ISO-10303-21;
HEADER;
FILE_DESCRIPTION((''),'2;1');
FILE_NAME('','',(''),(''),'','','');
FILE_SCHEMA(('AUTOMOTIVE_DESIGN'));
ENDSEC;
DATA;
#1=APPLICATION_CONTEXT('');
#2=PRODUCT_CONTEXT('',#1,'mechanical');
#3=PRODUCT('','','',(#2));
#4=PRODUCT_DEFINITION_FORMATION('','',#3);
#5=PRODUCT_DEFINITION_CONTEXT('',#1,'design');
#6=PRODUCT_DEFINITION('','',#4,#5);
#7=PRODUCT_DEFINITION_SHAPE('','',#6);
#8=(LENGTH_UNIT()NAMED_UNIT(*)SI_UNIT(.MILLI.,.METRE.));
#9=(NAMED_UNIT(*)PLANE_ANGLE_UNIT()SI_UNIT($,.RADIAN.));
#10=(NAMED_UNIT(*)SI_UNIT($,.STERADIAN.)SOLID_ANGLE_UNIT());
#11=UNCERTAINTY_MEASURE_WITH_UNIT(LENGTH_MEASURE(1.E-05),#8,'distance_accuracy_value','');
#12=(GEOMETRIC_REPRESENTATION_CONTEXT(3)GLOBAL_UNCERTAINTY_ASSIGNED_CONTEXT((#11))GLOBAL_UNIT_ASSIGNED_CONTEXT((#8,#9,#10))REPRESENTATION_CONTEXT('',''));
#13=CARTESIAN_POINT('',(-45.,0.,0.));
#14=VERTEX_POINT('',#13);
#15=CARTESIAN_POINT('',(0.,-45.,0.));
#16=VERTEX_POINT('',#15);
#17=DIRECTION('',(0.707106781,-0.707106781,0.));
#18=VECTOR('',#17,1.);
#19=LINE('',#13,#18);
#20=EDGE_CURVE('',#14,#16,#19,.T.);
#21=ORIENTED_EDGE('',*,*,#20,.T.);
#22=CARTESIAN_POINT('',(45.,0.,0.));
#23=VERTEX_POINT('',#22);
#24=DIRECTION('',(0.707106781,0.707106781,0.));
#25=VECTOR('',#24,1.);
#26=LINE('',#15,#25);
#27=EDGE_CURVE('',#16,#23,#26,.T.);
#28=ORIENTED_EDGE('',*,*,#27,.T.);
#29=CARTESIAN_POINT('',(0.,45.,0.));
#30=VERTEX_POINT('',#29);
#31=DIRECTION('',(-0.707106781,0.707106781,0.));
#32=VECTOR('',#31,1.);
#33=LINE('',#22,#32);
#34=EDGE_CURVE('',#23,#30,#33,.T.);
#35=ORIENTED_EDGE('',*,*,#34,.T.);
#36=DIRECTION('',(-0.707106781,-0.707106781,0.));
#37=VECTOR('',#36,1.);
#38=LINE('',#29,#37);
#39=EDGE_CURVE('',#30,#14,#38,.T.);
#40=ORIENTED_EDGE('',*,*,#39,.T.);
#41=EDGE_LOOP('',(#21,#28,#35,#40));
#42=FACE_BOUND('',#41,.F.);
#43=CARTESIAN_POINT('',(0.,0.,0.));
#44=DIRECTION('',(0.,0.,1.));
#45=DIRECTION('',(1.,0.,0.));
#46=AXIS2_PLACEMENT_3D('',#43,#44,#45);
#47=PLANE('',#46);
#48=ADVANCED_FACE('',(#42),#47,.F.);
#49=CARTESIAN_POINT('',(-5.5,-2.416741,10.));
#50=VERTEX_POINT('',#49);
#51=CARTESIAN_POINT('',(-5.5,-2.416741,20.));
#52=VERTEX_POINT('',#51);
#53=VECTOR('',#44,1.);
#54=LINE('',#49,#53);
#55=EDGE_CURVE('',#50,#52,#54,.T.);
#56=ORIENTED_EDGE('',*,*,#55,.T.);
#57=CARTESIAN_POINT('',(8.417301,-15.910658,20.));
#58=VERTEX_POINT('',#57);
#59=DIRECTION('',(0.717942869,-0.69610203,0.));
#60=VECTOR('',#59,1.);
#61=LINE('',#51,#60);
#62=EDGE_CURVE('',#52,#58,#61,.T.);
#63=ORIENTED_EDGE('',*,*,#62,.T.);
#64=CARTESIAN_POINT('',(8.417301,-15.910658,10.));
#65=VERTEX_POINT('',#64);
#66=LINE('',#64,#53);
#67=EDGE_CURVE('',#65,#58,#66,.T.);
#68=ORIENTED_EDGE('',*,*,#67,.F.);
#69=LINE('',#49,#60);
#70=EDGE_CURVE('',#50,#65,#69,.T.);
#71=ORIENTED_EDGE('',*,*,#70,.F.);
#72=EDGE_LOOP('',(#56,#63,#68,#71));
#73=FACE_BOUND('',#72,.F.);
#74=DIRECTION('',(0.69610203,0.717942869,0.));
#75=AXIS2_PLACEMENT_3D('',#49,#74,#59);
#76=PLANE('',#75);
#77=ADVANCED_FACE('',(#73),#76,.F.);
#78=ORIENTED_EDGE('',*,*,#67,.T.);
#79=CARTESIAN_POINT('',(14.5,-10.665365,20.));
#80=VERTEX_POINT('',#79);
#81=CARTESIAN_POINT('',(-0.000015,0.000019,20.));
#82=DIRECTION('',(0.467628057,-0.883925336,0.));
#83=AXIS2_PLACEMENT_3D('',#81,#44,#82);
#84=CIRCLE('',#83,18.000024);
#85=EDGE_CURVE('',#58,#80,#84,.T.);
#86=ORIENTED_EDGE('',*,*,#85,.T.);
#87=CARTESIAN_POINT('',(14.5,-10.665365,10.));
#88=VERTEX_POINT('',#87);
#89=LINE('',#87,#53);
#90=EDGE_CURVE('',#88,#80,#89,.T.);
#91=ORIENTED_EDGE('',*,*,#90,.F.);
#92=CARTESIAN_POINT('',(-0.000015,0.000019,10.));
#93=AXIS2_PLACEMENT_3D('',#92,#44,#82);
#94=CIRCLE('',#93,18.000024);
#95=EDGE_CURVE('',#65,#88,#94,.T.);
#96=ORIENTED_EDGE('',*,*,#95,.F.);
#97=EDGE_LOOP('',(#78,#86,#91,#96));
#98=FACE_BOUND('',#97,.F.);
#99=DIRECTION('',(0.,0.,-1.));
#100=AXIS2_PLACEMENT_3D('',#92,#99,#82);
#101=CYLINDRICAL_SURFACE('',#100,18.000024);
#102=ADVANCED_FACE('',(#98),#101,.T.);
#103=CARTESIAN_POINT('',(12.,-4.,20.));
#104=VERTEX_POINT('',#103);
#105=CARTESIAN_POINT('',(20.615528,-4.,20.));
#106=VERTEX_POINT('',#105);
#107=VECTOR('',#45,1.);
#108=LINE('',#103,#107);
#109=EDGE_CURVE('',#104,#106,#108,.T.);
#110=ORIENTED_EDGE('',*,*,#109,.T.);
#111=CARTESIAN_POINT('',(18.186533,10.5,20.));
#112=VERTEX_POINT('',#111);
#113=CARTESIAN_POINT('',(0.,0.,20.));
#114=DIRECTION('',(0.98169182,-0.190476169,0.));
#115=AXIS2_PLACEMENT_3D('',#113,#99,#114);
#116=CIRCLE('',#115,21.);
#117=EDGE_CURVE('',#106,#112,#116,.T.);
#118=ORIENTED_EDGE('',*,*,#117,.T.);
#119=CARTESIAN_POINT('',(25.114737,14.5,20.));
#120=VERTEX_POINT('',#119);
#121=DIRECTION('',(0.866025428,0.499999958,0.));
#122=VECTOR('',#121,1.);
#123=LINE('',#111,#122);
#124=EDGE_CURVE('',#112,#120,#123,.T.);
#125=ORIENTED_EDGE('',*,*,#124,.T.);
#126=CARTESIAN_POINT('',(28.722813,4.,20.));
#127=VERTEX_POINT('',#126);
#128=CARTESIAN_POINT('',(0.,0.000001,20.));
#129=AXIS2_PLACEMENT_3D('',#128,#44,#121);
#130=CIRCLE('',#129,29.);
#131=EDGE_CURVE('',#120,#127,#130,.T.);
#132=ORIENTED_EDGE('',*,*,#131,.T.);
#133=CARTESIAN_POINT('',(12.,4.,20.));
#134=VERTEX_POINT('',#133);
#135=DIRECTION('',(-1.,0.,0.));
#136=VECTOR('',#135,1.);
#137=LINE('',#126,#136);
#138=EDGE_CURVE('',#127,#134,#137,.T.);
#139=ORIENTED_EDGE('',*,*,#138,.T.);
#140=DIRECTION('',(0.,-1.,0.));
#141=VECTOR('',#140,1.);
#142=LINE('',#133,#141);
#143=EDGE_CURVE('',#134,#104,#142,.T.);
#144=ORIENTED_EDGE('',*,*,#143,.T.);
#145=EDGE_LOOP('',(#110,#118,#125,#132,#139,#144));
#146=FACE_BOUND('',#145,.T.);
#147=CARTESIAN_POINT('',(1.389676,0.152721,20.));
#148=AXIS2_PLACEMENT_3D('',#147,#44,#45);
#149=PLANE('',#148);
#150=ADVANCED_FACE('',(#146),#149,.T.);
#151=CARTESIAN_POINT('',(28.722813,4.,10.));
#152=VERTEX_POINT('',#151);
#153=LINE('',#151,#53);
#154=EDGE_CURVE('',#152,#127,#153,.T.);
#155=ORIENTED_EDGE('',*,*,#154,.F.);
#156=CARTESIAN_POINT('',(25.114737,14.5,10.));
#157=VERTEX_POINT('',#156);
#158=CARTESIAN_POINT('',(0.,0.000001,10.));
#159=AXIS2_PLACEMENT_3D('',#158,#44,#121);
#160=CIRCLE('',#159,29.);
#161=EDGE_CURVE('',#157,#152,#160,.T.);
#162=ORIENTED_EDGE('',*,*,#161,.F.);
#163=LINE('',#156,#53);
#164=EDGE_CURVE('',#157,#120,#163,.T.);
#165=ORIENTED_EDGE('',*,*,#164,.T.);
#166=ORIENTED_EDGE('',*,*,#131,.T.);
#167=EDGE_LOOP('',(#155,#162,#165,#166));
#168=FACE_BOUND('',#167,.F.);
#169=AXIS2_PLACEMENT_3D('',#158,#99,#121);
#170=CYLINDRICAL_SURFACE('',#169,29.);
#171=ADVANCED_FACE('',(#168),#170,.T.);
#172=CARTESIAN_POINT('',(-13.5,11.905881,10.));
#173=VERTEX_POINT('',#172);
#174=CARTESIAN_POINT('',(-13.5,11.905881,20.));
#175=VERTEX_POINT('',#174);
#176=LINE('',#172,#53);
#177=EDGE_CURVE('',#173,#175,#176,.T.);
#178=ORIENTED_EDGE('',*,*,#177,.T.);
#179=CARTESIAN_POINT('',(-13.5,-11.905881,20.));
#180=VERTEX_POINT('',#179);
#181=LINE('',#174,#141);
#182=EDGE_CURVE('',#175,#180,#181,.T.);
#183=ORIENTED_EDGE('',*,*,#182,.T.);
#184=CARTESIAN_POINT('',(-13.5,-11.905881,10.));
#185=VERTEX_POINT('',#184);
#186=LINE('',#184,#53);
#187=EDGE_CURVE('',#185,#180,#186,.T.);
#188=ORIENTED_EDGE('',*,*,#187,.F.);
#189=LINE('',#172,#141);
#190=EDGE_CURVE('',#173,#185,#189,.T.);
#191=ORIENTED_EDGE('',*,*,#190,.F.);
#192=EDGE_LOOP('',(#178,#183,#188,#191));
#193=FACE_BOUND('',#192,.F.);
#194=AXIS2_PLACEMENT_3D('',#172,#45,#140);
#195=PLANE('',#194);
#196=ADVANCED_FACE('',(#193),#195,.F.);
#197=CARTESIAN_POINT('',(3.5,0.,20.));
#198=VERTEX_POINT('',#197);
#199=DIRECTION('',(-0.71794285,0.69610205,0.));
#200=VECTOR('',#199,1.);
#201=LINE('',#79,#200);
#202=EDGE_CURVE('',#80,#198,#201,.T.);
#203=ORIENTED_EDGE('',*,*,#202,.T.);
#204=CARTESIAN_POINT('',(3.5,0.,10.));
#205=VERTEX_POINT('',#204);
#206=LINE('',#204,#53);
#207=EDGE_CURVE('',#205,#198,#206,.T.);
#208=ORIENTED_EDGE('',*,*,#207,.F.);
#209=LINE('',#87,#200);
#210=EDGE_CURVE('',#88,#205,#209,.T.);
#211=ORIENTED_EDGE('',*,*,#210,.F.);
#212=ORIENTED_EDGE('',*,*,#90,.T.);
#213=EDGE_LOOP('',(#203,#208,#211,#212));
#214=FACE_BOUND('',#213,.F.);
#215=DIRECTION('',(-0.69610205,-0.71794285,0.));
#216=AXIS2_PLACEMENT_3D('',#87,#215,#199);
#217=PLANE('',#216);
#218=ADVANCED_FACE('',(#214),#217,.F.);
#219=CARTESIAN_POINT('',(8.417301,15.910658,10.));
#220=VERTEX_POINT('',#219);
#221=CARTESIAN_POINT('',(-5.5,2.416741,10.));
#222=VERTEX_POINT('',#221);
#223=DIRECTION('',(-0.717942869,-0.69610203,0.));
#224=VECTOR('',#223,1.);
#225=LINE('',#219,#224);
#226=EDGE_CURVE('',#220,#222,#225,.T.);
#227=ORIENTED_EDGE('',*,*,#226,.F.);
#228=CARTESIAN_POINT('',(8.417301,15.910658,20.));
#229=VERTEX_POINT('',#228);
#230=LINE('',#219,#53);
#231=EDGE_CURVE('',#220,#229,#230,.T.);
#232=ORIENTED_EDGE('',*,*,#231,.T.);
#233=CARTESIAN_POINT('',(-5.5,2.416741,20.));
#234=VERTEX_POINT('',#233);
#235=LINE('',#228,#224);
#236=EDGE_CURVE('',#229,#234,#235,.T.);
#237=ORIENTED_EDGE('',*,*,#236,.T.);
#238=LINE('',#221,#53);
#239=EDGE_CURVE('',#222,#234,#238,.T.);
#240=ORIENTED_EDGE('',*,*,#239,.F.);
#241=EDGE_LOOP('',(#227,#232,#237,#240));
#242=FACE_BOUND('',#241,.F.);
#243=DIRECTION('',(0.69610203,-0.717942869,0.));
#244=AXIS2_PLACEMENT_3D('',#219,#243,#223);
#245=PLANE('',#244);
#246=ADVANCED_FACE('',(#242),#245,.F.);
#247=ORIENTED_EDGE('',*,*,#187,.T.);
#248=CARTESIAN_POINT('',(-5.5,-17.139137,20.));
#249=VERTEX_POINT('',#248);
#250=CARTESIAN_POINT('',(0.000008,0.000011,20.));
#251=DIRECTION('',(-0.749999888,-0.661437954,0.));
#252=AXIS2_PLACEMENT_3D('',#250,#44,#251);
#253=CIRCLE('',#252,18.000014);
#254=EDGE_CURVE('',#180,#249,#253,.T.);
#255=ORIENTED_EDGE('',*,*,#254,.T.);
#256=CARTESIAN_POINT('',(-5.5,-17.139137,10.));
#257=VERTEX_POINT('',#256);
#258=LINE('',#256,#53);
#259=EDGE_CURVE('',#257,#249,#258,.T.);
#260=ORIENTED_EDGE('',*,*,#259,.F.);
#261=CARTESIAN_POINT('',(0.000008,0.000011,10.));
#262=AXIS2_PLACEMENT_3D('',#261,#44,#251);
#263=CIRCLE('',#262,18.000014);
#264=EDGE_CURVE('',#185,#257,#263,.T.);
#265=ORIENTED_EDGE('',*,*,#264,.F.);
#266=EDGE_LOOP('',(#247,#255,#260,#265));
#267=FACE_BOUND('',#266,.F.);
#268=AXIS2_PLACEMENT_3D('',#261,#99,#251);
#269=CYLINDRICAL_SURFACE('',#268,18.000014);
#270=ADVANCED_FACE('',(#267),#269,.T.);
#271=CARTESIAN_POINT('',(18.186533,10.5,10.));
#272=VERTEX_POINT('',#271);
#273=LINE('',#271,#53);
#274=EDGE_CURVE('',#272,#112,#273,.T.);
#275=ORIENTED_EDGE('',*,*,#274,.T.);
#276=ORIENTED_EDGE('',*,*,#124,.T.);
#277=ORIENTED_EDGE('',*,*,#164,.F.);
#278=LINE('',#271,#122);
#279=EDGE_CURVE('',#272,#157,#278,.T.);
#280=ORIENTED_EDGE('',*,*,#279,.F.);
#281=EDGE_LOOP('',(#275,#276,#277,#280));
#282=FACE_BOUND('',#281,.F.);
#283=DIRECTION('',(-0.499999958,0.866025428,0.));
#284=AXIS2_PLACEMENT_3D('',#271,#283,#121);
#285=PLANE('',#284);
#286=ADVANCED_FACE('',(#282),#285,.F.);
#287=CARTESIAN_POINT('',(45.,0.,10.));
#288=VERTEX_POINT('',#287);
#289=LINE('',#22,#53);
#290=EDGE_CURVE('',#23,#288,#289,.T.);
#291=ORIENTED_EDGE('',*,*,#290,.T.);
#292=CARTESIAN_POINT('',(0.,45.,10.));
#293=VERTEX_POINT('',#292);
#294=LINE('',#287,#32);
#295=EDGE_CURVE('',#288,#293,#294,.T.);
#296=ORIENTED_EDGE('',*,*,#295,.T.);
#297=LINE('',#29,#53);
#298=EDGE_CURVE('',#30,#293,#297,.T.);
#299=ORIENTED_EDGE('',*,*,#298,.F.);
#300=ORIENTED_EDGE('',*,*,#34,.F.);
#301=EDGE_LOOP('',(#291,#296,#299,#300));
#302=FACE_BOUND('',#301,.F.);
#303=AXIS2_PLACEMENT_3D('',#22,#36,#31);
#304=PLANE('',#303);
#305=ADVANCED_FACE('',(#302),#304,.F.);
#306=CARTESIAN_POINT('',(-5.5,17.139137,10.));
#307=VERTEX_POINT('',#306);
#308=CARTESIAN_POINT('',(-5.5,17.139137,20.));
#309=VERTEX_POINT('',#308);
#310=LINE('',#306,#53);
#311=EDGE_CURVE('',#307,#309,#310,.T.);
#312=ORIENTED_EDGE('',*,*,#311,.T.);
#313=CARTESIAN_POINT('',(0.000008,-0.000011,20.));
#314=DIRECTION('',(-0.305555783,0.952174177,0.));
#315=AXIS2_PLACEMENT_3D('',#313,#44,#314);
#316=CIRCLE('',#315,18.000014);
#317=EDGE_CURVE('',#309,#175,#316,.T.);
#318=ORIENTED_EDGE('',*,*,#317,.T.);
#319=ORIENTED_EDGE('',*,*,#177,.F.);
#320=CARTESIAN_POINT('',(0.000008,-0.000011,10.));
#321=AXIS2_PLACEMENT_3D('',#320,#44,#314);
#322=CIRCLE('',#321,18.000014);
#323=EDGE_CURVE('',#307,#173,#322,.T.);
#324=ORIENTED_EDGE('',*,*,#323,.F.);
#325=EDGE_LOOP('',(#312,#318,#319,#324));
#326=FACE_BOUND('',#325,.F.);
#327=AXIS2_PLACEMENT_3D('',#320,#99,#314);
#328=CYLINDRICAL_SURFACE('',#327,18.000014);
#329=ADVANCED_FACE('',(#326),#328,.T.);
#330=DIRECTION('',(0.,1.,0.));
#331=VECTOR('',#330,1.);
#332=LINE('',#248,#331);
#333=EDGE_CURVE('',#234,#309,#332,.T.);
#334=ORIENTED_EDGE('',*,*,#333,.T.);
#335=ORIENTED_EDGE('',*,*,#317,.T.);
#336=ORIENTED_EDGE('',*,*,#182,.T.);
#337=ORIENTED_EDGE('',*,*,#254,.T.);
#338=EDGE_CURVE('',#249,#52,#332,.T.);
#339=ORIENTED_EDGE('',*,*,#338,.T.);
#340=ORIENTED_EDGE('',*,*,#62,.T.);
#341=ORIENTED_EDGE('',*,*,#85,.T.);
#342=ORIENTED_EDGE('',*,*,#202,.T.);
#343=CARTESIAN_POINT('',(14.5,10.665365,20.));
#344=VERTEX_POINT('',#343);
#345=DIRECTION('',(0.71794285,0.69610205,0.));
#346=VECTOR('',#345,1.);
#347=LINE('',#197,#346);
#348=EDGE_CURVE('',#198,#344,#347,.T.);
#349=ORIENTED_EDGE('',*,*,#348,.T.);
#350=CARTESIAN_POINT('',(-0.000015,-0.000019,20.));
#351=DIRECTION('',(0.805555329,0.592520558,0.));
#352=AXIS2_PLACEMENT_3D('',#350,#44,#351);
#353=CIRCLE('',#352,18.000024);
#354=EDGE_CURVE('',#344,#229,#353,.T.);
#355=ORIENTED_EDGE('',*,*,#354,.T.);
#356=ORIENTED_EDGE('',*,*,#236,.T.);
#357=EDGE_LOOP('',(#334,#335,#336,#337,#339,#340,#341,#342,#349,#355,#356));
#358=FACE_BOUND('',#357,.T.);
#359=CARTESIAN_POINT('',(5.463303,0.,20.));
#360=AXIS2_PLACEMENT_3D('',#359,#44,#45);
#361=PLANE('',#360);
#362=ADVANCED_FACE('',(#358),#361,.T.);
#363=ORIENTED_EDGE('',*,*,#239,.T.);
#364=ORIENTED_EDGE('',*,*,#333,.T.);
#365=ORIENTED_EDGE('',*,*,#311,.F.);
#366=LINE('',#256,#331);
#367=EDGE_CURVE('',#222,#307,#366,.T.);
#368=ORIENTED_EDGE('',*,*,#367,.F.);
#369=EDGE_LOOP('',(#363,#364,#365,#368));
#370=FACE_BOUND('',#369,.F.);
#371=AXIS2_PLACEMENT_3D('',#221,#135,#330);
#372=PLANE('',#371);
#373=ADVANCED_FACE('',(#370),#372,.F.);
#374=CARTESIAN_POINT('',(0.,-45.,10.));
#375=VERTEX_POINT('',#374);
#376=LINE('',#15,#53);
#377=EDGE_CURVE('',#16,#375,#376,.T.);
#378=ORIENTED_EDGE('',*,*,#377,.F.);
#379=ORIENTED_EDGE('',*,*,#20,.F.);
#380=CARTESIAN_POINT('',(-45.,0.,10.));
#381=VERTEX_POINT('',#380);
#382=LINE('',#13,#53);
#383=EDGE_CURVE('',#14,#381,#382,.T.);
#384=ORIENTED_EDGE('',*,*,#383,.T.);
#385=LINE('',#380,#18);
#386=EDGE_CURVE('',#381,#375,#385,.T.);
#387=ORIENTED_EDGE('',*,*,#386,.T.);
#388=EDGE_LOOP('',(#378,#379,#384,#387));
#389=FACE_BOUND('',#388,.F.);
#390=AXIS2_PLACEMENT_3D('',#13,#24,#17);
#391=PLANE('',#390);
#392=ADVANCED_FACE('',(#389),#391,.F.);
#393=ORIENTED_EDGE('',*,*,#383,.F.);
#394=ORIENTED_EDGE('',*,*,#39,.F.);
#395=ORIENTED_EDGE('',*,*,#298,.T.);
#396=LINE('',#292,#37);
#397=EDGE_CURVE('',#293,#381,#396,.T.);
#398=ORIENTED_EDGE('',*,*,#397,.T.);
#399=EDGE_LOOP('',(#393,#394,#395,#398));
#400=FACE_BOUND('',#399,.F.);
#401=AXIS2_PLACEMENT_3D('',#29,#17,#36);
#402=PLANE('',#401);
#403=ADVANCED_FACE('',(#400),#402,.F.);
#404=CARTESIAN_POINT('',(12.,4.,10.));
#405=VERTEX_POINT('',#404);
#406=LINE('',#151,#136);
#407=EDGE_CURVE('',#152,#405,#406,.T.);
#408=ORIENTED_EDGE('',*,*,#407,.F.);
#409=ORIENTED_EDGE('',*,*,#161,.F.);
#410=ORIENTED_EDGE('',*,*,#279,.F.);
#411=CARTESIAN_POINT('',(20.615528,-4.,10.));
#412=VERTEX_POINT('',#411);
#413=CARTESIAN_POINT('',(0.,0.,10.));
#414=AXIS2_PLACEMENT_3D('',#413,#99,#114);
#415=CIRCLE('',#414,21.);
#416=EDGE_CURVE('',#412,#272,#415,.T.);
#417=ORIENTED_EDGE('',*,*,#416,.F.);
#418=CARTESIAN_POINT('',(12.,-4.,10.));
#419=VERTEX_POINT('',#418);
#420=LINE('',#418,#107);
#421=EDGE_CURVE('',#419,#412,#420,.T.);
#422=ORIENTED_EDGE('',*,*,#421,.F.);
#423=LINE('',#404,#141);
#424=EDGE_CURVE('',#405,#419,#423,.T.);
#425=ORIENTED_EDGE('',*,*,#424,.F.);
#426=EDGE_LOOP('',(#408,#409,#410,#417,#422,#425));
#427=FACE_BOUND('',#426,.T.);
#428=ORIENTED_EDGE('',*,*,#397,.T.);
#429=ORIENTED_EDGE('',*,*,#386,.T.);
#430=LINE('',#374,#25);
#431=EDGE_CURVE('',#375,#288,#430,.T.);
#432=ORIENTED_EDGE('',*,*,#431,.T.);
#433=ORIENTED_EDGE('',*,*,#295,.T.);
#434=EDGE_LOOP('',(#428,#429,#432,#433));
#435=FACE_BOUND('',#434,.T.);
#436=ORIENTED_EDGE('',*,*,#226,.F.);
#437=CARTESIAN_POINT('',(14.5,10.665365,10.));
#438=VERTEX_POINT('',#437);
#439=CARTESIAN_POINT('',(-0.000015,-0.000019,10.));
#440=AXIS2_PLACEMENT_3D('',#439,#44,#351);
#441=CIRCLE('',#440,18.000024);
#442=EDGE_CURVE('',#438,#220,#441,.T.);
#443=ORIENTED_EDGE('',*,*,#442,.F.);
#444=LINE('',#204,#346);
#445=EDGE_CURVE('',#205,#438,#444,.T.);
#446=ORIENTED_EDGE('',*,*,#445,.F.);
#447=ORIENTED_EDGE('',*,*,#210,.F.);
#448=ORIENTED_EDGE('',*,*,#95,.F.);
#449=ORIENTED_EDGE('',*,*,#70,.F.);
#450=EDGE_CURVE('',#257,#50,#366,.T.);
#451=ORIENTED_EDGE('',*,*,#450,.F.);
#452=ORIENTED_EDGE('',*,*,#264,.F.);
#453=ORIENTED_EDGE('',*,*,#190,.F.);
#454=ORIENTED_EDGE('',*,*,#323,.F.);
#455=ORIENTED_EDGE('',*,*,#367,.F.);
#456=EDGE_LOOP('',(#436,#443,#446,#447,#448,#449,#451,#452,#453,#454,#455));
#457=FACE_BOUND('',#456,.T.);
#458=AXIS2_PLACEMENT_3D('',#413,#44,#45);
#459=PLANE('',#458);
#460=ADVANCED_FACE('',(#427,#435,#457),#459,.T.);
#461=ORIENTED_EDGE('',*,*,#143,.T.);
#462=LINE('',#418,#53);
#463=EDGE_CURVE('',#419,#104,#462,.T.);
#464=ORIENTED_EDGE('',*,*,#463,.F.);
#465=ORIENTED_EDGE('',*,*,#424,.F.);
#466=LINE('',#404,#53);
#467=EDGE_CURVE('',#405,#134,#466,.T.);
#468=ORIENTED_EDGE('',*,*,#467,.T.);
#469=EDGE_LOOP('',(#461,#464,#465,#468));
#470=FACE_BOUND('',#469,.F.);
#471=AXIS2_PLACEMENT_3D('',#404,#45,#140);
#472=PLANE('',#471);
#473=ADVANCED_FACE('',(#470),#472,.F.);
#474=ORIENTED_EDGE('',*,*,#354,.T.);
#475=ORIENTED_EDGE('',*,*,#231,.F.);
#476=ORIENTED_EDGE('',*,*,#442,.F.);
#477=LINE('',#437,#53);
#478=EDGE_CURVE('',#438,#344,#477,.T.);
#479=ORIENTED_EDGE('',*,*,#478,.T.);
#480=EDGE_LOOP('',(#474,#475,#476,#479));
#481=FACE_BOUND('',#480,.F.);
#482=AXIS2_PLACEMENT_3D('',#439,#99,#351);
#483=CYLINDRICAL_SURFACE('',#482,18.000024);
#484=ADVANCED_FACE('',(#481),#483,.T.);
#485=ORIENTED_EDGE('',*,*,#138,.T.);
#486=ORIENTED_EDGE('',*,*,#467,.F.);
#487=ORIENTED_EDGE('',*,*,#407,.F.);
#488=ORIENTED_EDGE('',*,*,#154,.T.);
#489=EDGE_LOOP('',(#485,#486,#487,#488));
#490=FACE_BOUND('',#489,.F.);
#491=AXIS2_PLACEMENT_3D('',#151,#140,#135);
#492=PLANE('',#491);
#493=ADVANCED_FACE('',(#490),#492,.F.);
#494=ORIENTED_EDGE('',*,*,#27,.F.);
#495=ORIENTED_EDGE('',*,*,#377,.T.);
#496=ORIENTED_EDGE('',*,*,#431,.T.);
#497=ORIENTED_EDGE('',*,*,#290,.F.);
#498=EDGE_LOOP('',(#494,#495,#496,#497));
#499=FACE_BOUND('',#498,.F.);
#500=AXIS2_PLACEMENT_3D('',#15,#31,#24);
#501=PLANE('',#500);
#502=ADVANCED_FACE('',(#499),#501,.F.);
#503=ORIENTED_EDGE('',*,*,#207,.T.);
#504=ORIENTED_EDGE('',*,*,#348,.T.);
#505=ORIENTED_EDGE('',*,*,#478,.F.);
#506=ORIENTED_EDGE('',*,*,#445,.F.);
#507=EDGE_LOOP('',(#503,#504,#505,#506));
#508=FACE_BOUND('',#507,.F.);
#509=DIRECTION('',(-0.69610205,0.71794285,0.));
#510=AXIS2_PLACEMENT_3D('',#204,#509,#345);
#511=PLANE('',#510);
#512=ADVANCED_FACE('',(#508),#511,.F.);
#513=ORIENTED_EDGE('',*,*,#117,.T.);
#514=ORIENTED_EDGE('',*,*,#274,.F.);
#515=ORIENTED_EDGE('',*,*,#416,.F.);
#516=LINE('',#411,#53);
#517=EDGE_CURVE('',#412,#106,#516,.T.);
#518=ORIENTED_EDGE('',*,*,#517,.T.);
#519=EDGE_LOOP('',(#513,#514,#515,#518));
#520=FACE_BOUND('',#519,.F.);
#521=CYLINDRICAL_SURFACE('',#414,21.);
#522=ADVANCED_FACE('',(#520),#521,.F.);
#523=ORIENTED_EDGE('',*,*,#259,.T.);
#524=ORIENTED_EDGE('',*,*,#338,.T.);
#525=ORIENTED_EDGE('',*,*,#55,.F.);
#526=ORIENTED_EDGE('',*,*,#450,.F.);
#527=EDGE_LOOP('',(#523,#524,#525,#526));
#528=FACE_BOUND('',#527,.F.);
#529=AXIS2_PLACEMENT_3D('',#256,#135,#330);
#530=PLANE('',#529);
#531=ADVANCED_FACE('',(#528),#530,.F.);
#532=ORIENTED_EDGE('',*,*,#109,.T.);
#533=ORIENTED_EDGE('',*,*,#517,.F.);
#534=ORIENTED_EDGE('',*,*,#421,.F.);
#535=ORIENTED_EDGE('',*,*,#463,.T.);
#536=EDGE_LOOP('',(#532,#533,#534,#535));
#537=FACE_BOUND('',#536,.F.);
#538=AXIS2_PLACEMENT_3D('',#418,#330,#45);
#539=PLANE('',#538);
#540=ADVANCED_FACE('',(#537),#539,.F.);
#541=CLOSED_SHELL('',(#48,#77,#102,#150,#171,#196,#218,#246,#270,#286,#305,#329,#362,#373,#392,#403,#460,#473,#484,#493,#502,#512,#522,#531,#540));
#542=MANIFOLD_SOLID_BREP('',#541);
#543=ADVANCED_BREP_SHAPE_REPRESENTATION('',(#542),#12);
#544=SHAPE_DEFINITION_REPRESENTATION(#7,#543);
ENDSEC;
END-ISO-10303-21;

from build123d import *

# Parameters (mm, degrees)
F1_DEPTH = 10
F3_DEPTH = 10
F5_DEPTH = 10


with BuildPart() as f1:
    # F0 (on Top) → F1 (new body)
    with BuildSketch(Plane.XY):
        Polygon((45, 0), (0, 45), (-45, 0), (0, -45), align=None)
    extrude(amount=F1_DEPTH)

    # F2 (on face) → F3 (join)
    with BuildSketch(Plane.XY.offset(10)):
        with BuildLine():
            Line((18.186533, 10.5), (25.114737, 14.5))
            ThreePointArc((25.114737, 14.5), (-27.425954, -9.42428), (28.722813, 4))
            Line((28.722813, 4), (12, 4))
            Line((12, 4), (12, -4))
            Line((12, -4), (20.615528, -4))
            ThreePointArc((20.615528, -4), (-20.71141, -3.469511), (18.186533, 10.5))
        make_face()
    extrude(amount=F3_DEPTH)

    # F4 (on face) → F5 (join)
    with BuildSketch(Plane.XY.offset(10)):
        with BuildLine():
            Line((3.5, 0), (14.5, 10.665365))
            ThreePointArc((14.5, 10.665365), (11.754954, 13.631619), (8.417301, 15.910658))
            Line((8.417301, 15.910658), (-5.5, 2.416741))
            Line((-5.5, 2.416741), (-5.5, -2.416741))
            Line((-5.5, -2.416741), (8.417301, -15.910658))
            ThreePointArc((8.417301, -15.910658), (11.754954, -13.631619), (14.5, -10.665365))
            Line((14.5, -10.665365), (3.5, 0))
        make_face()
        with BuildLine():
            Line((-5.5, -2.416741), (-5.5, 2.416741))
            Line((-5.5, 2.416741), (-5.5, 17.139137))
            ThreePointArc((-5.5, 17.139137), (-9.853768, 15.063308), (-13.5, 11.905881))
            Line((-13.5, 11.905881), (-13.5, -11.905881))
            ThreePointArc((-13.5, -11.905881), (-9.853768, -15.063308), (-5.5, -17.139137))
            Line((-5.5, -17.139137), (-5.5, -2.416741))
        make_face()
    extrude(amount=F5_DEPTH)


solid = f1.part
